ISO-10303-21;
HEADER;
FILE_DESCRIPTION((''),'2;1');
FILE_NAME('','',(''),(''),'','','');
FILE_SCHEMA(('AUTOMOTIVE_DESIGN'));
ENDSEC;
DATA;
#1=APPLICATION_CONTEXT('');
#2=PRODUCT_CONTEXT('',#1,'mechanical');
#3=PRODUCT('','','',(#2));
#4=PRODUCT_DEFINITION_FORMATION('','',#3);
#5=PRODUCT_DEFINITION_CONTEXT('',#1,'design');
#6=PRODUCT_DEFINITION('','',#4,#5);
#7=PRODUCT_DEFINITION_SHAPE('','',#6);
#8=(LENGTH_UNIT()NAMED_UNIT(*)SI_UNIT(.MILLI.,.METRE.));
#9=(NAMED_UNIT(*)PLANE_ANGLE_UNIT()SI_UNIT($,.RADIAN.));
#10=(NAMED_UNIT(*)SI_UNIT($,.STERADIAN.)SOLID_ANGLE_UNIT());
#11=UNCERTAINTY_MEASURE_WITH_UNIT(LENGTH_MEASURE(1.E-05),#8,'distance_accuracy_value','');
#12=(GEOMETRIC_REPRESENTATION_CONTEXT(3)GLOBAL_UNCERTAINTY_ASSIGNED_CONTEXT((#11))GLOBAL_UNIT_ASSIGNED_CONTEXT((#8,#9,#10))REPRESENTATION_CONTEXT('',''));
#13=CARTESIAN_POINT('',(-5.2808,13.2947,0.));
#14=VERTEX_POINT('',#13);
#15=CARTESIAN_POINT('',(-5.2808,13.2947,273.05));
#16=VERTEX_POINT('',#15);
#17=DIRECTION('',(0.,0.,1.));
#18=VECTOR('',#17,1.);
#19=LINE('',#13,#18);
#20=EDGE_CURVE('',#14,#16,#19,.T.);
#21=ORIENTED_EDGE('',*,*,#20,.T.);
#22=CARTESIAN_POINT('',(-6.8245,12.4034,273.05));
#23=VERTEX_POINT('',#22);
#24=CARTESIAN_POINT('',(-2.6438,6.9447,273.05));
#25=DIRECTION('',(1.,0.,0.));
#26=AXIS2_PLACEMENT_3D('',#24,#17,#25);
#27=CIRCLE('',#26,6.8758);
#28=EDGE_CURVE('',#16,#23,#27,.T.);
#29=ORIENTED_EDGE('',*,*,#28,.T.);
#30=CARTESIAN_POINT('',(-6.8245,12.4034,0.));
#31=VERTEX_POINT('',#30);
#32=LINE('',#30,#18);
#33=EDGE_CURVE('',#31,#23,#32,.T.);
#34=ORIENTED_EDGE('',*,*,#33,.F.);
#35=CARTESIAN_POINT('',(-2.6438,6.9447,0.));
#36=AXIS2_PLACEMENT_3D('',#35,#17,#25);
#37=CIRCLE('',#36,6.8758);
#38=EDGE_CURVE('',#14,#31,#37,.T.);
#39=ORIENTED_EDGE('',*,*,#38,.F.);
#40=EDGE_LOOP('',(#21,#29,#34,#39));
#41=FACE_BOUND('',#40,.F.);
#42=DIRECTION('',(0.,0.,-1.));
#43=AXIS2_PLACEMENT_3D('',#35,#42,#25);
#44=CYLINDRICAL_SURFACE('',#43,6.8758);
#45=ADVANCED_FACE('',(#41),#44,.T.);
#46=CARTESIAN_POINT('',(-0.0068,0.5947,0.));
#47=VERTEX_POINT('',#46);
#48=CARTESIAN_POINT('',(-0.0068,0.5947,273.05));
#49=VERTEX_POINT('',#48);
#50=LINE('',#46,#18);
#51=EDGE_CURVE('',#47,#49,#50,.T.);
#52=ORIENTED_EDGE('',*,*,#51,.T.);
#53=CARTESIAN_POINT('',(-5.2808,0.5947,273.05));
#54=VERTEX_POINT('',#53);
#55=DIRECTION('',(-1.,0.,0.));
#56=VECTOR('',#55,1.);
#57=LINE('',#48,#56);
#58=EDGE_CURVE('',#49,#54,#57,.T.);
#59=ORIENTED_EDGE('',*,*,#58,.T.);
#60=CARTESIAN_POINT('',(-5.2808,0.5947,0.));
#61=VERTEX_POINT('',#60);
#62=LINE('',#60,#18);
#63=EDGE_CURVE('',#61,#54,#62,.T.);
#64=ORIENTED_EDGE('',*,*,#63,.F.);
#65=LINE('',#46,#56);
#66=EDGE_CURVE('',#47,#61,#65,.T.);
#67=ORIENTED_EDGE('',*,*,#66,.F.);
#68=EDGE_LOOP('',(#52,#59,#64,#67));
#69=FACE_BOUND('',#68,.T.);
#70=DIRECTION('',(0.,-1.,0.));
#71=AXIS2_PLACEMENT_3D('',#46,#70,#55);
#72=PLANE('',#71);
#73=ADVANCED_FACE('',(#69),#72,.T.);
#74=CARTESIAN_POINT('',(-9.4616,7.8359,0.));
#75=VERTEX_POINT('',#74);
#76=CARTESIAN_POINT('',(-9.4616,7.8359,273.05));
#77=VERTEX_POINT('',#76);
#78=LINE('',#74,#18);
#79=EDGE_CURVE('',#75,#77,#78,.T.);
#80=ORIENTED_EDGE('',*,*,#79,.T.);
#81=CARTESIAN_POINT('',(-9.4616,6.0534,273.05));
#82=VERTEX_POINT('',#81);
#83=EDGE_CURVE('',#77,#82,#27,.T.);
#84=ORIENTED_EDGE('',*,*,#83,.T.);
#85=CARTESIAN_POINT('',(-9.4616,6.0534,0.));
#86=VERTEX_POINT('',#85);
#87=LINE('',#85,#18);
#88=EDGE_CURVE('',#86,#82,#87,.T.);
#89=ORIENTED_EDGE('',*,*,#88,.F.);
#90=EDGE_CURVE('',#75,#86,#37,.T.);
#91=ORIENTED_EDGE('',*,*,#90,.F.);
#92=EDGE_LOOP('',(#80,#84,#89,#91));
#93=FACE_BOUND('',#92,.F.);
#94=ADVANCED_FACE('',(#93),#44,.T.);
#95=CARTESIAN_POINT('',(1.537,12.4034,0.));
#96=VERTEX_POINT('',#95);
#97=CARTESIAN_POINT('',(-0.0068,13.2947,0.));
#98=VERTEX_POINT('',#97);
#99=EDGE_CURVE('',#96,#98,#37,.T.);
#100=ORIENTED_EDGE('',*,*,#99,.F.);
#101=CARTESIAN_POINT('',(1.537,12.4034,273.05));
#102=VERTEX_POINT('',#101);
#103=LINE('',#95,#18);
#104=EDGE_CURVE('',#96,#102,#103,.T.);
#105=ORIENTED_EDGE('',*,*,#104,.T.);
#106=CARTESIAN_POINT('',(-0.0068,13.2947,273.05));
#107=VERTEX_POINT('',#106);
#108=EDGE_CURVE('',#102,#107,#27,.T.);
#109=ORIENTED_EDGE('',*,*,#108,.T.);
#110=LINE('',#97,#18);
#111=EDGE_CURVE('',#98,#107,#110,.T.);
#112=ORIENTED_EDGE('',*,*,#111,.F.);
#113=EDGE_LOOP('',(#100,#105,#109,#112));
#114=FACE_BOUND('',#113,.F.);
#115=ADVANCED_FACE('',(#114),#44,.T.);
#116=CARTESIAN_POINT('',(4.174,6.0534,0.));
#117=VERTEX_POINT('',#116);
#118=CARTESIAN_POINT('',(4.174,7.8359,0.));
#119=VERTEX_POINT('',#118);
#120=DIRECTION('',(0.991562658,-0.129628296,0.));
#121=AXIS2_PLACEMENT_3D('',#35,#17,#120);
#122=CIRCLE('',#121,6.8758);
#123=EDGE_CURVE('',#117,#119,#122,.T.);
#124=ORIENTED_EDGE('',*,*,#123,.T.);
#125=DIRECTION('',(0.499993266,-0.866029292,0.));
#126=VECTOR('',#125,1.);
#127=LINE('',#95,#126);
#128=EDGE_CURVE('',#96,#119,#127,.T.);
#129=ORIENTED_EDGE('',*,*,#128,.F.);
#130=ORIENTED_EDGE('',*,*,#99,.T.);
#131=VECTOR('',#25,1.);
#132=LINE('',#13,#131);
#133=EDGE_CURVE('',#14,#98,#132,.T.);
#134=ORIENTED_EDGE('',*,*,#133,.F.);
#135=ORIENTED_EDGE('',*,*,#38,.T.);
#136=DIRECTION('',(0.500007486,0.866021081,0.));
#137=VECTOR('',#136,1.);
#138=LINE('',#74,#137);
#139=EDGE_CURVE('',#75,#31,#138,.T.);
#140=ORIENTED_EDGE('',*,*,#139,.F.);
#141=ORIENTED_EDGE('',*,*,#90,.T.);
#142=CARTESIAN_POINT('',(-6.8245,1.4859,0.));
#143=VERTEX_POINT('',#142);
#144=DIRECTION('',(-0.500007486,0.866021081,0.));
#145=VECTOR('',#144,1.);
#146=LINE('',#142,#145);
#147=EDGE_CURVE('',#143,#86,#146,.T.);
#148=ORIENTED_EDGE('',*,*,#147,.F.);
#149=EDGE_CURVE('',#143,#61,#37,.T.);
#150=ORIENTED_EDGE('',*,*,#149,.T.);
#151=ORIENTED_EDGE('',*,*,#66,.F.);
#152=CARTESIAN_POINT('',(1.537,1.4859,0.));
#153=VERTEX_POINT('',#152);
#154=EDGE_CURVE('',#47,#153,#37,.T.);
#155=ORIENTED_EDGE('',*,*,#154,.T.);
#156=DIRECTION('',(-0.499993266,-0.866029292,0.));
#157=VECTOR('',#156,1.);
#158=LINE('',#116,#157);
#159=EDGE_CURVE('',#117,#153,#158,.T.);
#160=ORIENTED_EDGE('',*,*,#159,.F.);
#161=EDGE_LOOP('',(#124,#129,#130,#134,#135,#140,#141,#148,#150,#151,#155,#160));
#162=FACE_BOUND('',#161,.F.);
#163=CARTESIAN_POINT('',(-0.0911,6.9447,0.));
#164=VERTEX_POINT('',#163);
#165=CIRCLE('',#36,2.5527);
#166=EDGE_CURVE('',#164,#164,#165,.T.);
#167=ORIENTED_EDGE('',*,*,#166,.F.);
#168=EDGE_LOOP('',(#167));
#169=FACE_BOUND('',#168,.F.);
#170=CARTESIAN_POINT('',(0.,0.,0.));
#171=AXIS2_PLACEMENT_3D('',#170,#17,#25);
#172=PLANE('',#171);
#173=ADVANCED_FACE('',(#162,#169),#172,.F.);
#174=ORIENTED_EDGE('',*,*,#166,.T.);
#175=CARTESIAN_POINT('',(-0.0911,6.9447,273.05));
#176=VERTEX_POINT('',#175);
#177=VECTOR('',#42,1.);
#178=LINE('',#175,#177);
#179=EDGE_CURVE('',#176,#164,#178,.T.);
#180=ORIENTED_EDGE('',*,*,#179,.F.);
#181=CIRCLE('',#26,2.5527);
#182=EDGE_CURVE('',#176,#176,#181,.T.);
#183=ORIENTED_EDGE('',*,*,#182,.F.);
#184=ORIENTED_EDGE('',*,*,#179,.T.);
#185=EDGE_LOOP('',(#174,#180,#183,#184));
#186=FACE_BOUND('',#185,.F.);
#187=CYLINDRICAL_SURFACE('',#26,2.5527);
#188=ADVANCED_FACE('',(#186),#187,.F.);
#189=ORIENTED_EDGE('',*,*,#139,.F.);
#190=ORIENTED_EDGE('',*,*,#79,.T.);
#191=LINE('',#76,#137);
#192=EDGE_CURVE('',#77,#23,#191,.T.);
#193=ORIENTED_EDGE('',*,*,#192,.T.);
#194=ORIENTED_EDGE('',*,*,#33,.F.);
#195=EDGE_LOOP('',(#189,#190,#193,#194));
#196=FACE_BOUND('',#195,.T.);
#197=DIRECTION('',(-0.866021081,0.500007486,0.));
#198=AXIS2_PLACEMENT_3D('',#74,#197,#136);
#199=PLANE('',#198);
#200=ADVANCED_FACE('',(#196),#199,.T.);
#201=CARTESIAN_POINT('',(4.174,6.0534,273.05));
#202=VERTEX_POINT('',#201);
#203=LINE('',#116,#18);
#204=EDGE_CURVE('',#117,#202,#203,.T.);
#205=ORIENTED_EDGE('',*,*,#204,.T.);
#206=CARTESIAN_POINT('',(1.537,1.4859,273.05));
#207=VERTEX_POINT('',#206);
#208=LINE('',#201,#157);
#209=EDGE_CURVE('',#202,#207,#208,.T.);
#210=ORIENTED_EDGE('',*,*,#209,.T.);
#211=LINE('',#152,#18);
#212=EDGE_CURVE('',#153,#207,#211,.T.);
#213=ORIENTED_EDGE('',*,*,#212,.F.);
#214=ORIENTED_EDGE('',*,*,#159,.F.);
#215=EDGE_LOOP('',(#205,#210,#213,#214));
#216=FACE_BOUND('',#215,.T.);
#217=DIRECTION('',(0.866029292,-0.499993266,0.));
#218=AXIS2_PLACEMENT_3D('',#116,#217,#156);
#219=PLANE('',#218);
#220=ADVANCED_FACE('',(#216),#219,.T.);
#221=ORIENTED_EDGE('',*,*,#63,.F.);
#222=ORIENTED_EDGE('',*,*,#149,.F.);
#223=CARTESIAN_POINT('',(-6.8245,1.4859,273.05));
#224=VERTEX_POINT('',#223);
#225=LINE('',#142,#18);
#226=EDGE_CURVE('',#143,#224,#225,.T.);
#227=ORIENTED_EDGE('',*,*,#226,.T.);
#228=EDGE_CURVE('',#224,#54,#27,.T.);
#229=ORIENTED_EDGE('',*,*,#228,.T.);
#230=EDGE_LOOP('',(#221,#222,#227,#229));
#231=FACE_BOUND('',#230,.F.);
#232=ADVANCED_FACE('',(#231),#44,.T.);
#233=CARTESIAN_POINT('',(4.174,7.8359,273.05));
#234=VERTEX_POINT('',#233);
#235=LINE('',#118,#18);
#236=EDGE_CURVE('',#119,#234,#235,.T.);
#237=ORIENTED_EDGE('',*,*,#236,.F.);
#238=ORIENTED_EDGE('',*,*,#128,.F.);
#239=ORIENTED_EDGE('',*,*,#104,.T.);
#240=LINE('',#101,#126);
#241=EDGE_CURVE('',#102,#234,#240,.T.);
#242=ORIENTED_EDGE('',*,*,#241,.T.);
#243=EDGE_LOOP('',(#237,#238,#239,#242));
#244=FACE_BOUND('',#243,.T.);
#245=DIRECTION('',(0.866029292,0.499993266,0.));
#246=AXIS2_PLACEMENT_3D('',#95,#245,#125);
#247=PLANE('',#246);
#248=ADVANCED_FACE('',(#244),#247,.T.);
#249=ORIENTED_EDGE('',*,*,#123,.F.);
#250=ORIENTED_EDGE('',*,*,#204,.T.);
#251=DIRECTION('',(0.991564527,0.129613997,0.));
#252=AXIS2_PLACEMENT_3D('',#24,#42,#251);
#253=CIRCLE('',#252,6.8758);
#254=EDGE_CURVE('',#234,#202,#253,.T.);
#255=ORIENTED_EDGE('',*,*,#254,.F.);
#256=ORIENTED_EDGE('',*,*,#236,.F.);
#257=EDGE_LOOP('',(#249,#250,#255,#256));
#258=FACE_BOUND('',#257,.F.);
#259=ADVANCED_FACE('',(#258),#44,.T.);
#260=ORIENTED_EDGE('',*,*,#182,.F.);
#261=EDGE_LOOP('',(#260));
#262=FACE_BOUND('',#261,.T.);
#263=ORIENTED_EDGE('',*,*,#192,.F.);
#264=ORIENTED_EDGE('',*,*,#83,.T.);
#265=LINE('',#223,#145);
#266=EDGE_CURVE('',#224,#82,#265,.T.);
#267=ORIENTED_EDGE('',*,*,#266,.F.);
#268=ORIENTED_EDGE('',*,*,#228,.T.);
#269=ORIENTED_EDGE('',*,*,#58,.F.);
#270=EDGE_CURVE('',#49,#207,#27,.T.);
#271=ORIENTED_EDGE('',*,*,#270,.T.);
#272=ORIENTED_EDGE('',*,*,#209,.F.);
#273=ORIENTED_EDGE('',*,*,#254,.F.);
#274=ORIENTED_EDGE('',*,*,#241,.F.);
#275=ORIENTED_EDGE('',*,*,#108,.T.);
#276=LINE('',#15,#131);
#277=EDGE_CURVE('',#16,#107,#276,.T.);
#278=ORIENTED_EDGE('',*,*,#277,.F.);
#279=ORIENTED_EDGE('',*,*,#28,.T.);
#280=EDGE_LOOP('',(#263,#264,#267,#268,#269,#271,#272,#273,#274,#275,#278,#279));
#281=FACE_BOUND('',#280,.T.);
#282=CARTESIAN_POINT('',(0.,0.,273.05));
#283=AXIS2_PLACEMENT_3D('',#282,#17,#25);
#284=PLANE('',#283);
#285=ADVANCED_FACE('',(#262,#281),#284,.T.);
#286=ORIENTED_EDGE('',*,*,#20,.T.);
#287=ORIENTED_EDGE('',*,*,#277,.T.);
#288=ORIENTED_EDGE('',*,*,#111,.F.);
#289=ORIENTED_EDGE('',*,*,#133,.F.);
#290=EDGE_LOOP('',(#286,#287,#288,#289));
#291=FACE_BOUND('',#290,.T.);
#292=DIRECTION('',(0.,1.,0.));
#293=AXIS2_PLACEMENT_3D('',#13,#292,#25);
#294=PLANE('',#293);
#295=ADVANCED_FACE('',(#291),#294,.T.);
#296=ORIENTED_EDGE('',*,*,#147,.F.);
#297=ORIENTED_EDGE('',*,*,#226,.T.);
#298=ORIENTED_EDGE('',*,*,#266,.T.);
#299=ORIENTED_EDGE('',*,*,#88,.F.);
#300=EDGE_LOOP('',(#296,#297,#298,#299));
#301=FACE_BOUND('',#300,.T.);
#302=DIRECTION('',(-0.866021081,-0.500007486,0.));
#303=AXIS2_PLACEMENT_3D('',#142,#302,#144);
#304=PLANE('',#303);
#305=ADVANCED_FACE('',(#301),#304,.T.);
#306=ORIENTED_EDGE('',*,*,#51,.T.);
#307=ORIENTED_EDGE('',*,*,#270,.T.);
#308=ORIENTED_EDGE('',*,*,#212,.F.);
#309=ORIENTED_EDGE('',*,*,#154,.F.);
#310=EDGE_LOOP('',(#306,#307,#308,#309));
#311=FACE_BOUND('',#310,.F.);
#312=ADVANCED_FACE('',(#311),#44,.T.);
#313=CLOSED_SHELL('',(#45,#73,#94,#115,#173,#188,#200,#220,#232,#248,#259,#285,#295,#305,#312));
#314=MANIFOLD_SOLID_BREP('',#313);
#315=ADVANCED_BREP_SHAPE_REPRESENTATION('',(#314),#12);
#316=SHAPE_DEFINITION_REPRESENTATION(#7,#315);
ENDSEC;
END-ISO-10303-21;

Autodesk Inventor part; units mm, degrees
ref_plane "YZ Plane" through (0, 0, 0) normal (1, 0, 0) x (0, 1, 0)
ref_plane "XZ Plane" through (0, 0, 0) normal (0, 1, 0) x (-1, 0, 0)
ref_plane "XY Plane" through (0, 0, 0) normal (0, 0, 1) x (1, 0, 0)
sketch "Sketch1" plane through (0, 0, 0) normal (0, 0, 1) x (1, 0, 0)
  circle A0 centre (-2.6438, 6.9447) radius 6.8758
  line L0 (-9.4616, 7.8359) -> (-6.8245, 12.4034)
  line L1 (-6.8245, 1.4859) -> (-9.4616, 6.0534)
  line L2 (-0.0068, 0.5947) -> (-5.2808, 0.5947)
  line L3 (4.174, 6.0534) -> (1.537, 1.4859)
  line L4 (1.537, 12.4034) -> (4.174, 7.8359)
  line L5 (-5.2808, 13.2947) -> (-0.0068, 13.2947)
  point P0 (0, 0)
  point P1 (1.537, 1.4859)
  dimension "d0" = 13.7516
  dimension "d4" = 360
extrude "Extrusion1" add sketch "Sketch1" along normal blind 273.05 contours A0 L3 L2 L1 L0 L5 L4
sketch "Sketch2" plane through (0, 0, 273.05) normal (0, 0, 1) x (1, 0, 0)
  circle A0 centre (-2.6438, 6.9447) radius 2.5527
  line L0 (-5.2808, 0.5947) -> (-0.0068, 0.5947) projected
  line L1 (-2.6438, 6.9447) -> (-5.2808, 0.5947) construction
  line L2 (-2.6438, 6.9447) -> (-0.0068, 0.5947) construction
  point P0 (0, 0)
  dimension "d8" = 5.1054
  dimension "d9" = 6.35
extrude "Extrusion2" cut sketch "Sketch2" against normal blind 273.05
equation "\"d6\" = d5"
equation "\"d10\" = d5"
equation "\"d5\" = 273.05"
properties part number "10.75in THUNDERSHAFT"
